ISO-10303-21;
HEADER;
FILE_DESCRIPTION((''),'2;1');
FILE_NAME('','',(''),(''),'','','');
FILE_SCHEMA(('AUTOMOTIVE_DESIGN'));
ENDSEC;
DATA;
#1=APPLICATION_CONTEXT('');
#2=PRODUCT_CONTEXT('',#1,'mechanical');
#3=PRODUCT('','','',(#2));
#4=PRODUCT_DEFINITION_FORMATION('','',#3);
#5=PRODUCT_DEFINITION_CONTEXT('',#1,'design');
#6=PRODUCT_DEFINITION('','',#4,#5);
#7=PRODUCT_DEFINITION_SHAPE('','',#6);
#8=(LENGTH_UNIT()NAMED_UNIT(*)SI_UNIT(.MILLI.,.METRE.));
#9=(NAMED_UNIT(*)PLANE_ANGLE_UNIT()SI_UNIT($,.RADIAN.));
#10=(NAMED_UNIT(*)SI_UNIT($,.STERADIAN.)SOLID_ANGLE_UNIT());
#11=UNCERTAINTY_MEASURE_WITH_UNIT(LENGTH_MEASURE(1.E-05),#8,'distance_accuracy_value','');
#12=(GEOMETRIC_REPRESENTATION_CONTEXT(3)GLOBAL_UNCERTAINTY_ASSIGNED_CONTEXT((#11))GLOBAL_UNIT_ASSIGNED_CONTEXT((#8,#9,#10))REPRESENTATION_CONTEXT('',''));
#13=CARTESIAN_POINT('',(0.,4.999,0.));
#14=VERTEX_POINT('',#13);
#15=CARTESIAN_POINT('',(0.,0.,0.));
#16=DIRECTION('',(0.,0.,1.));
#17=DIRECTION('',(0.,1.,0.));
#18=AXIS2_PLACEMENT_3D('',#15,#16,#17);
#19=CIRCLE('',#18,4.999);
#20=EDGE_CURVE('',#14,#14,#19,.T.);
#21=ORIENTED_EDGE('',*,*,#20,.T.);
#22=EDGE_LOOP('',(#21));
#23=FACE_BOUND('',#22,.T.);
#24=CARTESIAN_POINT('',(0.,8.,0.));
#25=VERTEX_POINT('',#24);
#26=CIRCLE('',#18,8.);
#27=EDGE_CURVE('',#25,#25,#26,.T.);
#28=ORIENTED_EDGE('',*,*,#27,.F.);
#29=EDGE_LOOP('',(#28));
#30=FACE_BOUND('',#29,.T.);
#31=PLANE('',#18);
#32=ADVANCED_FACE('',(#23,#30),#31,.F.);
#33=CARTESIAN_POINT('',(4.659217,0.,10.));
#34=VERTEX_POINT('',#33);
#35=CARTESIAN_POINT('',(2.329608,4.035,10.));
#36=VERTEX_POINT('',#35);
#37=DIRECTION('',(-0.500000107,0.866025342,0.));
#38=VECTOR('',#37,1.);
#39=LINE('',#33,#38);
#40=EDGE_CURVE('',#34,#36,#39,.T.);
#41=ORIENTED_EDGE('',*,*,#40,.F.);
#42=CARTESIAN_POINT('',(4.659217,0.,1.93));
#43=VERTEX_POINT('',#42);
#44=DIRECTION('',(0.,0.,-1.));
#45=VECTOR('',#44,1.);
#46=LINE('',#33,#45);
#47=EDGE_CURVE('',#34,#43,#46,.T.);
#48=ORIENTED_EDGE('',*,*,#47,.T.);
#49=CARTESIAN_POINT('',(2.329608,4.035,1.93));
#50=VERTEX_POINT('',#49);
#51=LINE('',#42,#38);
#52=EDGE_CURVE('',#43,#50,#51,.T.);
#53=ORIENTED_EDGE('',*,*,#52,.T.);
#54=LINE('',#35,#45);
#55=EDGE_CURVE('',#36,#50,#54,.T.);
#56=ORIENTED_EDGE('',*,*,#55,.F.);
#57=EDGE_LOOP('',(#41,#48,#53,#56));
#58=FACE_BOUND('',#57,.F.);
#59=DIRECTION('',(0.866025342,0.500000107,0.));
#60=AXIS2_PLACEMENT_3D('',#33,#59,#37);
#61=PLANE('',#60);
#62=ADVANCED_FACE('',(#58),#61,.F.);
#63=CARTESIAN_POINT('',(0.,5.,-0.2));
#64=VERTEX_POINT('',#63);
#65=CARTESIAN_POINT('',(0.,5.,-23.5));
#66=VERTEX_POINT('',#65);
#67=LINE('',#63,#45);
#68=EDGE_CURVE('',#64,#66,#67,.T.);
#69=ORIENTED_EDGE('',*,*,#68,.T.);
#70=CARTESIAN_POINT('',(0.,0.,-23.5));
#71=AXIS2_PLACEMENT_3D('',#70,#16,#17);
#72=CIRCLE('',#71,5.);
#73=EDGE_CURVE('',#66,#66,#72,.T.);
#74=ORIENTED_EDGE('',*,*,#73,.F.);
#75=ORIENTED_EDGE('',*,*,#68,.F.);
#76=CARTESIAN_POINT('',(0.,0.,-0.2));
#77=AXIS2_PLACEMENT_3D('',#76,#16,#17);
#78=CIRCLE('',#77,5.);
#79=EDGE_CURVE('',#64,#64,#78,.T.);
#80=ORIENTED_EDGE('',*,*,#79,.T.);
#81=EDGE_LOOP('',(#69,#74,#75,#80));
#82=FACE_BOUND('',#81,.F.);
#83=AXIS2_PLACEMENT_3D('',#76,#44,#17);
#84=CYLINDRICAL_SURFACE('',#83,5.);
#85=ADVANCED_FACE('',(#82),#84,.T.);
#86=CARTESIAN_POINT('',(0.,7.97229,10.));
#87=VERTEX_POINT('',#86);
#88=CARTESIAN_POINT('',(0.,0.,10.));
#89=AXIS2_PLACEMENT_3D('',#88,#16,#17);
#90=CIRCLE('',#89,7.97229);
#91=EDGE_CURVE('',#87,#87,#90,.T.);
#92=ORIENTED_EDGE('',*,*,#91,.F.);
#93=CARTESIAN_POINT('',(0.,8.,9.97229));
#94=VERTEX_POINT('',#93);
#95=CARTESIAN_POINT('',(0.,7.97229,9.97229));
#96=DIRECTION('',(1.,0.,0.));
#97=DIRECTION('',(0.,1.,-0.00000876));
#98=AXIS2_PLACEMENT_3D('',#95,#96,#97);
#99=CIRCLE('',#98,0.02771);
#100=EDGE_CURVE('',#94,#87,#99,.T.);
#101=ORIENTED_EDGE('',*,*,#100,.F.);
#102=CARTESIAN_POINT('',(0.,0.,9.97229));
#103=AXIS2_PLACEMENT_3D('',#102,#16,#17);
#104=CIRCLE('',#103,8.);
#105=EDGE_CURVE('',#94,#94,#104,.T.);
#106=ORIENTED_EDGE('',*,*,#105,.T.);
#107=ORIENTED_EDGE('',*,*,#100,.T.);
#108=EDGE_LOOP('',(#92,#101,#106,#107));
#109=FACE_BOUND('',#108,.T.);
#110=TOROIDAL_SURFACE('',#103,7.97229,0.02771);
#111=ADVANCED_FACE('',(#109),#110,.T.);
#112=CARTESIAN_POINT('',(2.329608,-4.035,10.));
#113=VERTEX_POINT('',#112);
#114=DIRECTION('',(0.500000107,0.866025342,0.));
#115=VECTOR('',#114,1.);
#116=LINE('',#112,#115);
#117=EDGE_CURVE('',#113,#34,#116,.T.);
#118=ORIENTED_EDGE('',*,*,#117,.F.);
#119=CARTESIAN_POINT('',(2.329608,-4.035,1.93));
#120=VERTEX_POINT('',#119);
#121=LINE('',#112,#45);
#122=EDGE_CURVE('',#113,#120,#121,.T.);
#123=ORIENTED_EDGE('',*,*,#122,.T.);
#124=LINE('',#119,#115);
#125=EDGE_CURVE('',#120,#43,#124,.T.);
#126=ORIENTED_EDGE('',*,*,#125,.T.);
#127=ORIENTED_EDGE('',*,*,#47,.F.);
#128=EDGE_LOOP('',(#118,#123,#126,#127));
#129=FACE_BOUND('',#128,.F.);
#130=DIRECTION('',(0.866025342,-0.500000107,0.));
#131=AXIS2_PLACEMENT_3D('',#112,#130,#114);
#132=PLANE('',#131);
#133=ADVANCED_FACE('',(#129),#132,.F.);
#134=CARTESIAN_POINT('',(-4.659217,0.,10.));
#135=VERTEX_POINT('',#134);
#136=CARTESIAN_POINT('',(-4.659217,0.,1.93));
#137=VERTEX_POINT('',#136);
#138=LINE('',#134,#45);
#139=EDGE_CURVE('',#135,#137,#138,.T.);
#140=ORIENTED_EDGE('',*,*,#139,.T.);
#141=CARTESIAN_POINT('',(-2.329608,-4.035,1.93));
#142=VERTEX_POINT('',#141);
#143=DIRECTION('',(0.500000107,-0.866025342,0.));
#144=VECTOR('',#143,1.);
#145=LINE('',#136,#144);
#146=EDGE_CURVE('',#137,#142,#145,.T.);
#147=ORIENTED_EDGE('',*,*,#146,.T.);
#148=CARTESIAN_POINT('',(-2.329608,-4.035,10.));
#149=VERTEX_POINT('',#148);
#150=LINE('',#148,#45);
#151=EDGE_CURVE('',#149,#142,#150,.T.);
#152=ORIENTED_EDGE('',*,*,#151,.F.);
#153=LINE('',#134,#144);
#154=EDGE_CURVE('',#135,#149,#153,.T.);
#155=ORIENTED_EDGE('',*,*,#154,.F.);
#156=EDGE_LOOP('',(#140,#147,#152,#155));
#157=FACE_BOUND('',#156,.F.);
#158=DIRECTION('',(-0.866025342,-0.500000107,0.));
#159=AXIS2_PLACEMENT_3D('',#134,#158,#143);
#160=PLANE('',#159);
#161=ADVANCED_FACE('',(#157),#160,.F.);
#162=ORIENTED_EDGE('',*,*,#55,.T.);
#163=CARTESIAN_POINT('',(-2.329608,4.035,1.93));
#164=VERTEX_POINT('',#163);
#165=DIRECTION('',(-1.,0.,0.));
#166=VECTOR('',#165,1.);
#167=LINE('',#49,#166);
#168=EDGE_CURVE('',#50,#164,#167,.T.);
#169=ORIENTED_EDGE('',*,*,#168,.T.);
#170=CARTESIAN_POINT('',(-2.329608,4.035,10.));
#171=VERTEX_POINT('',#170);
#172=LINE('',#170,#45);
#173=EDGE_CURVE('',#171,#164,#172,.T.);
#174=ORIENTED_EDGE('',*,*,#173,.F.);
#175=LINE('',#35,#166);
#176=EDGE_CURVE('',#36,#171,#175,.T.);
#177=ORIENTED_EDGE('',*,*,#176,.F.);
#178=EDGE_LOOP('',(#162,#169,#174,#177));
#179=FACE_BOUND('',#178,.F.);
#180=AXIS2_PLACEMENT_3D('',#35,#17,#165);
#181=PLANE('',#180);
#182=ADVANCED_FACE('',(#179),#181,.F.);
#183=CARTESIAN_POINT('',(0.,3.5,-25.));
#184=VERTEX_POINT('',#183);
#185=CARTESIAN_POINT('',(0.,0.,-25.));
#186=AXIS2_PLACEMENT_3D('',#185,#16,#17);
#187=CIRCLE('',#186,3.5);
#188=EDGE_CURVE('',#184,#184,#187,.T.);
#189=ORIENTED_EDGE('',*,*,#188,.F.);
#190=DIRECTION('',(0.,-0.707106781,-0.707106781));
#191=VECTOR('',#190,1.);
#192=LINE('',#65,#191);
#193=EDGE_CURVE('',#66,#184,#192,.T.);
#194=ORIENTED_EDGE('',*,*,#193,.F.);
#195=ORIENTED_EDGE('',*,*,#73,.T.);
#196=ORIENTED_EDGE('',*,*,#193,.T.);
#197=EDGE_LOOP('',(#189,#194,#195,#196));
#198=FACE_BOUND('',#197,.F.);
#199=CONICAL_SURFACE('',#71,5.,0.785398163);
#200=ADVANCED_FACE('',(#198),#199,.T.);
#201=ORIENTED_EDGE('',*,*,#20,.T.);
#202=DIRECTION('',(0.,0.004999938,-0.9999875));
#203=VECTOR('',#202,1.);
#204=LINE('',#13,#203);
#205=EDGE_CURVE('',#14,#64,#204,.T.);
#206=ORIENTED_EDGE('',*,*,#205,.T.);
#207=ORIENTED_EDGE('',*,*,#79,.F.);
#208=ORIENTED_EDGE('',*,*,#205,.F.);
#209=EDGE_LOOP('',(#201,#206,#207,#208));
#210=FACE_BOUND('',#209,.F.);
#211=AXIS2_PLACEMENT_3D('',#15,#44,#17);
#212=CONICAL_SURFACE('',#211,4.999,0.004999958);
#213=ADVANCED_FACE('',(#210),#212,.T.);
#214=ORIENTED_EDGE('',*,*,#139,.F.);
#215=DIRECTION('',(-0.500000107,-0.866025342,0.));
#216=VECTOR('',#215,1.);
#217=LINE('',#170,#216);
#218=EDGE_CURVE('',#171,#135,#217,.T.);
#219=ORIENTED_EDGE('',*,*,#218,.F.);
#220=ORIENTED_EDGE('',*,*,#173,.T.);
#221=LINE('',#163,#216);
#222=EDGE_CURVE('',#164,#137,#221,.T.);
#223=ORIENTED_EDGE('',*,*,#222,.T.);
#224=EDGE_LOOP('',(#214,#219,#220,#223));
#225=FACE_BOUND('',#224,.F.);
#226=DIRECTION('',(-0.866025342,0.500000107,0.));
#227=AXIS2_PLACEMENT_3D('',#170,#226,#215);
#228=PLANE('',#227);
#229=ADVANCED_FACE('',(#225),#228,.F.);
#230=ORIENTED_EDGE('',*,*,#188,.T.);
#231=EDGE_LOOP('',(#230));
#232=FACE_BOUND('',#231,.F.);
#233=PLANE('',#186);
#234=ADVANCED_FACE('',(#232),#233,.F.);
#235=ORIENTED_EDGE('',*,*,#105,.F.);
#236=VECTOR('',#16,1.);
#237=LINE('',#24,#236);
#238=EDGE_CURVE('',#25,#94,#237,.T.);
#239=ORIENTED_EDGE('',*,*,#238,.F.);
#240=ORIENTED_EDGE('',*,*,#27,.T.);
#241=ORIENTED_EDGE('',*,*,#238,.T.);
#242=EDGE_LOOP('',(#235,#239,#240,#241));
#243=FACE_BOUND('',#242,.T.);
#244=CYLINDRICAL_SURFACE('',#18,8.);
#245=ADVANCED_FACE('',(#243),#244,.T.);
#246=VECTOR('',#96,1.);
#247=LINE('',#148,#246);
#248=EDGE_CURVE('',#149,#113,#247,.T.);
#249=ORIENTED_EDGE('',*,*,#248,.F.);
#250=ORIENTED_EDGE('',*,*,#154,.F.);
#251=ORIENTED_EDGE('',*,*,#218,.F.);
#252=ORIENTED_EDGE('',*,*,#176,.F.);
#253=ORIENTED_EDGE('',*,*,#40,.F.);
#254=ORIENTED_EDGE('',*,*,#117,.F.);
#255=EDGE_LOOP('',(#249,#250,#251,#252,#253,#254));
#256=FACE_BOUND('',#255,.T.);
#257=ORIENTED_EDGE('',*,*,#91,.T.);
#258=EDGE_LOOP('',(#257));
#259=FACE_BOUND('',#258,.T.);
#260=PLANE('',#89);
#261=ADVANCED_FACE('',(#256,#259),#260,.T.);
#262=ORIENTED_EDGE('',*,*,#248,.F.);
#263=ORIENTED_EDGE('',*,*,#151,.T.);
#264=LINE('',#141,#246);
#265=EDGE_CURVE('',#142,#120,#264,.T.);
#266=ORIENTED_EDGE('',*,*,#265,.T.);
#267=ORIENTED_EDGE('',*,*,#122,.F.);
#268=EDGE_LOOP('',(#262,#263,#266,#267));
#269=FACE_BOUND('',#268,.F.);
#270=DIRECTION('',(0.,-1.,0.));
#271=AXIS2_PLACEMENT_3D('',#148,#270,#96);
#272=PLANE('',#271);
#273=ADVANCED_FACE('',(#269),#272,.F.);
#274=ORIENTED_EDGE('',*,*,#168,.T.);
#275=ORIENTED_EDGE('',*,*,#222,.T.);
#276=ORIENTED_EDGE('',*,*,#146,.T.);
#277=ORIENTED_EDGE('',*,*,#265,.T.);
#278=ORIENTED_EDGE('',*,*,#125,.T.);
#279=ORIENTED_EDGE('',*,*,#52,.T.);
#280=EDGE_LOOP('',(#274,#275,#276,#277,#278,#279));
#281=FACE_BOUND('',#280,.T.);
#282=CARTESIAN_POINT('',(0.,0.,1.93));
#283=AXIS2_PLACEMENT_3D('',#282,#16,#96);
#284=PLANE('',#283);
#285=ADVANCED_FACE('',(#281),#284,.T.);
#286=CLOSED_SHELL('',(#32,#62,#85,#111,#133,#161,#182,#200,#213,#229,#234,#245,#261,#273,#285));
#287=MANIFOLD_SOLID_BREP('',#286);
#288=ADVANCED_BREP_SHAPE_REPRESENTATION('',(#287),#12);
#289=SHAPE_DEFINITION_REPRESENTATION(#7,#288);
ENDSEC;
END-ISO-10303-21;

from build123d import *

# Parameters (mm, degrees)
POCKET_DEPTH = 8.07


with BuildPart() as part:
    # Sketch → Revolve (revolve)
    with BuildSketch(Plane.YZ):
        with BuildLine():
            Line((4.999, 0), (8, 0))
            Line((8, 0), (8, 9.97229))
            ThreePointArc((8, 9.97229), (7.991884, 9.991884), (7.97229, 10))
            Line((7.97229, 10), (0, 10))
            Line((0, -25), (0, 10))
            Line((3.5, -25), (0, -25))
            Line((5, -23.5), (3.5, -25))
            Line((5, -0.2), (5, -23.5))
            Line((4.999, 0), (5, -0.2))
        make_face()
    revolve(axis=Axis((0, 0, 0), (0, 0, 1)))

    # Sketch001 → Pocket (cut)
    with BuildSketch(Plane.XY.offset(10)):
        Polygon((4.659217, 0), (2.329608, 4.035), (-2.329608, 4.035), (-4.659217, 0), (-2.329608, -4.035), (2.329608, -4.035), align=None)
    extrude(amount=-POCKET_DEPTH, mode=Mode.SUBTRACT)


solid = part.part
